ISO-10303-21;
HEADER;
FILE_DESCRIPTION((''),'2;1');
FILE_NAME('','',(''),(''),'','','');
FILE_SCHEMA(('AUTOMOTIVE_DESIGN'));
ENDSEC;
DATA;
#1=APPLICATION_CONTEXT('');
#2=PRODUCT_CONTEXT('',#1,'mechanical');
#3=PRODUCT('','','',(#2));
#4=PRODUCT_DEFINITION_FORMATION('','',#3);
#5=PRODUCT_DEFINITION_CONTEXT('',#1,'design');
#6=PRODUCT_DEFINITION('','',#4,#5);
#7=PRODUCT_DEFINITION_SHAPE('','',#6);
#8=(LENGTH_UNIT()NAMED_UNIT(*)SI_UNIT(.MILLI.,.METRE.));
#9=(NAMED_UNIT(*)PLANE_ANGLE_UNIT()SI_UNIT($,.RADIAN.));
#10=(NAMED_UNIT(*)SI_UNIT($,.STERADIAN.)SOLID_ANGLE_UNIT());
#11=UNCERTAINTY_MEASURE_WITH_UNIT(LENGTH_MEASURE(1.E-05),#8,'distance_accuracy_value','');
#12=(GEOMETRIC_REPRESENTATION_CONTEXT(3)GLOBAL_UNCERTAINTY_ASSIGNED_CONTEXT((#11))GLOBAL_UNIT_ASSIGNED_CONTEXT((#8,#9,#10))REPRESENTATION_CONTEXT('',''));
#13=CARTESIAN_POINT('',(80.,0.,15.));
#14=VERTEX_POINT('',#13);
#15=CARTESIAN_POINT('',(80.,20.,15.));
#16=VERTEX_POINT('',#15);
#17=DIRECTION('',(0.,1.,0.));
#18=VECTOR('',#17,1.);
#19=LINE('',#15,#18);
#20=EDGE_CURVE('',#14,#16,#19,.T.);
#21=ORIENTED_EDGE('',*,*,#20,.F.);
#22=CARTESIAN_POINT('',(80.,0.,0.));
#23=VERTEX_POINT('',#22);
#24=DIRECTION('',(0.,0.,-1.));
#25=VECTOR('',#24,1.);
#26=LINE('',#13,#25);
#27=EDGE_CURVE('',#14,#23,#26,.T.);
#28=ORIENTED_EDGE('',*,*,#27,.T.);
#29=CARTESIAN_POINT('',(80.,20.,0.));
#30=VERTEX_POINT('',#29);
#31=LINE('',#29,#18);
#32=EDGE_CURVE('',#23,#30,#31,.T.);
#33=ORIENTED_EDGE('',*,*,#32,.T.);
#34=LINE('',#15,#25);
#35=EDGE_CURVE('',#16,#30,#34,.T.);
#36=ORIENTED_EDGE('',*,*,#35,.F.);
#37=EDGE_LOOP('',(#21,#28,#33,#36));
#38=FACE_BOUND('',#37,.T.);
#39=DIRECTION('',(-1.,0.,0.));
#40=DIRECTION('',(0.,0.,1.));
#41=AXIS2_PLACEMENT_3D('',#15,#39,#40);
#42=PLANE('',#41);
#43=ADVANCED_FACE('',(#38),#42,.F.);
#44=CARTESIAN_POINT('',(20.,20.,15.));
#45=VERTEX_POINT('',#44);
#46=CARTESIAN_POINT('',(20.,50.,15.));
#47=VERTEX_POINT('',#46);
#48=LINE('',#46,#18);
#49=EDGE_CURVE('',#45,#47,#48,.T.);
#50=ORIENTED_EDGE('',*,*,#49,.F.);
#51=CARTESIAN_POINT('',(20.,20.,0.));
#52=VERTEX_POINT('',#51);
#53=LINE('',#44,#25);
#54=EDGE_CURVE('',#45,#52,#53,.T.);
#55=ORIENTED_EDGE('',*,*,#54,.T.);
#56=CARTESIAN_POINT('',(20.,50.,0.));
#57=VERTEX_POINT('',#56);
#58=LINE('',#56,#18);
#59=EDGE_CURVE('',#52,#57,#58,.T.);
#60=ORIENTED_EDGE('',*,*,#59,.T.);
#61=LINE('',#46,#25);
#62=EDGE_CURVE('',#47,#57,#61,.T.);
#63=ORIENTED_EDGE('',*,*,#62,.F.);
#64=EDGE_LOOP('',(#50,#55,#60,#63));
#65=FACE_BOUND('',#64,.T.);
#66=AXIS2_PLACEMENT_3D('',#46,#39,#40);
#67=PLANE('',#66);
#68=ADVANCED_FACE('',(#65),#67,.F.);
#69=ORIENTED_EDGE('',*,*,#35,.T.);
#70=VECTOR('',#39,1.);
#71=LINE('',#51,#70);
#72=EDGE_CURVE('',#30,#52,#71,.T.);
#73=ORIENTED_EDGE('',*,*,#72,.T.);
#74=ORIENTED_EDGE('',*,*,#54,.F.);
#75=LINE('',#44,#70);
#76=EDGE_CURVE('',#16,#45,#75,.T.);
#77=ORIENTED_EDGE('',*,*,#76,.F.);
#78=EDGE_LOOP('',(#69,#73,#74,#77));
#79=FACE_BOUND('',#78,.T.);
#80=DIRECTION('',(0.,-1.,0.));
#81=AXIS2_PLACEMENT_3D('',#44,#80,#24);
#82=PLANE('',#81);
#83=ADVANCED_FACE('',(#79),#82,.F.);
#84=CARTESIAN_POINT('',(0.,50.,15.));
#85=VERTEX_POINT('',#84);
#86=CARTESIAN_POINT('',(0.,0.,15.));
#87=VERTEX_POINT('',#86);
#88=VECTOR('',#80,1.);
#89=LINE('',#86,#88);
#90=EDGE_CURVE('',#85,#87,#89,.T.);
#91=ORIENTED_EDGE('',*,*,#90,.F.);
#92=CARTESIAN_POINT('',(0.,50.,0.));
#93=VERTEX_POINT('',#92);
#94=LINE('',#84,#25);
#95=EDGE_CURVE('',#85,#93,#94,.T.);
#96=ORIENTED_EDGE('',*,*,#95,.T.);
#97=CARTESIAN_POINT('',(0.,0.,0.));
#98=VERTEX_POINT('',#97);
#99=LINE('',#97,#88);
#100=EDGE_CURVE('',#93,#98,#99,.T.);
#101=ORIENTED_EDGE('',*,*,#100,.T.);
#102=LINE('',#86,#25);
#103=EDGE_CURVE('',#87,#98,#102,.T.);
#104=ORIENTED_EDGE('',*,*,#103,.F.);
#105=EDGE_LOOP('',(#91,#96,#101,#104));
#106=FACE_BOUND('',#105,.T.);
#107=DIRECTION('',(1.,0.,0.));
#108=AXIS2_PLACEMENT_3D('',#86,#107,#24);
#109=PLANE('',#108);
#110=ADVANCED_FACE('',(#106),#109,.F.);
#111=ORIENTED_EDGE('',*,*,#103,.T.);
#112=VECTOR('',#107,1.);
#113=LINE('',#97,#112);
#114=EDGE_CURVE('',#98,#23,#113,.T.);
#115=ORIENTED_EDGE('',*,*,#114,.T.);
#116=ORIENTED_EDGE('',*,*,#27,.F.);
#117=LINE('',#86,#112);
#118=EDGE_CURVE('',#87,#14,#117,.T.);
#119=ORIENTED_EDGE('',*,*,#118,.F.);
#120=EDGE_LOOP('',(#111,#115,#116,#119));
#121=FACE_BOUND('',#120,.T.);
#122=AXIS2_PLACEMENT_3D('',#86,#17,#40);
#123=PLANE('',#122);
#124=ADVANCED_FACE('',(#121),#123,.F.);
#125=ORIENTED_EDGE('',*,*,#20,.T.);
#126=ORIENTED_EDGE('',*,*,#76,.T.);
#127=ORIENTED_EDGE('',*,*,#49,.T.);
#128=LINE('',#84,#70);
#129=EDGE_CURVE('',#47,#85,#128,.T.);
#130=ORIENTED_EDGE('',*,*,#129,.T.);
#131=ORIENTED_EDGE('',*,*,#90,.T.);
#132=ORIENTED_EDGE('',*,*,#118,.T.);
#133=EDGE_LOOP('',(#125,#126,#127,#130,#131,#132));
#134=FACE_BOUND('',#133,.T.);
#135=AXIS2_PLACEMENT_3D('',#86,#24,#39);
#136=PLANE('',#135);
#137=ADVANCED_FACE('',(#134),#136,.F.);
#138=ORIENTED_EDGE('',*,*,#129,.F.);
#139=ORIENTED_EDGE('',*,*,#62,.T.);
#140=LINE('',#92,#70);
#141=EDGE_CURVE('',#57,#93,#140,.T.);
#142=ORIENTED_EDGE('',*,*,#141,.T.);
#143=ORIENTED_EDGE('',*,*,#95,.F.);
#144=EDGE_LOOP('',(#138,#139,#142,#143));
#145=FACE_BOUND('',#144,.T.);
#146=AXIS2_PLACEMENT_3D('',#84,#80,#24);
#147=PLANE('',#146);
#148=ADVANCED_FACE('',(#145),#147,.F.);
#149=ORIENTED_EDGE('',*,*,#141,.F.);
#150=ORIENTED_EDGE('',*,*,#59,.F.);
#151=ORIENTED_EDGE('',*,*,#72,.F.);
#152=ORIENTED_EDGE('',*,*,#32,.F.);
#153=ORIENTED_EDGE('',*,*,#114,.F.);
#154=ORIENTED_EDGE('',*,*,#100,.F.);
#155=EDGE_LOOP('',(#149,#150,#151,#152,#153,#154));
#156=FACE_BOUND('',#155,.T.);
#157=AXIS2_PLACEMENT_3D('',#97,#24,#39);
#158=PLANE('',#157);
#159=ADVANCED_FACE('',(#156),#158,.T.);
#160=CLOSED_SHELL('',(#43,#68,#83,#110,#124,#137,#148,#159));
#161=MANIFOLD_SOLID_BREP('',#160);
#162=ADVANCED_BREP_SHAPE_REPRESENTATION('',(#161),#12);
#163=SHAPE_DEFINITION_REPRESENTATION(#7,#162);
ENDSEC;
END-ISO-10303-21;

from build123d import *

# Parameters (mm, degrees)
BOSS_EXTRUDE1_DEPTH = 15


with BuildPart() as part:
    # Sketch4 → Boss-Extrude1 (new body)
    with BuildSketch(Plane.XY):
        Polygon((0, 0), (0, 50), (20, 50), (20, 20), (80, 20), (80, 0), align=None)
    extrude(amount=BOSS_EXTRUDE1_DEPTH)


solid = part.part
